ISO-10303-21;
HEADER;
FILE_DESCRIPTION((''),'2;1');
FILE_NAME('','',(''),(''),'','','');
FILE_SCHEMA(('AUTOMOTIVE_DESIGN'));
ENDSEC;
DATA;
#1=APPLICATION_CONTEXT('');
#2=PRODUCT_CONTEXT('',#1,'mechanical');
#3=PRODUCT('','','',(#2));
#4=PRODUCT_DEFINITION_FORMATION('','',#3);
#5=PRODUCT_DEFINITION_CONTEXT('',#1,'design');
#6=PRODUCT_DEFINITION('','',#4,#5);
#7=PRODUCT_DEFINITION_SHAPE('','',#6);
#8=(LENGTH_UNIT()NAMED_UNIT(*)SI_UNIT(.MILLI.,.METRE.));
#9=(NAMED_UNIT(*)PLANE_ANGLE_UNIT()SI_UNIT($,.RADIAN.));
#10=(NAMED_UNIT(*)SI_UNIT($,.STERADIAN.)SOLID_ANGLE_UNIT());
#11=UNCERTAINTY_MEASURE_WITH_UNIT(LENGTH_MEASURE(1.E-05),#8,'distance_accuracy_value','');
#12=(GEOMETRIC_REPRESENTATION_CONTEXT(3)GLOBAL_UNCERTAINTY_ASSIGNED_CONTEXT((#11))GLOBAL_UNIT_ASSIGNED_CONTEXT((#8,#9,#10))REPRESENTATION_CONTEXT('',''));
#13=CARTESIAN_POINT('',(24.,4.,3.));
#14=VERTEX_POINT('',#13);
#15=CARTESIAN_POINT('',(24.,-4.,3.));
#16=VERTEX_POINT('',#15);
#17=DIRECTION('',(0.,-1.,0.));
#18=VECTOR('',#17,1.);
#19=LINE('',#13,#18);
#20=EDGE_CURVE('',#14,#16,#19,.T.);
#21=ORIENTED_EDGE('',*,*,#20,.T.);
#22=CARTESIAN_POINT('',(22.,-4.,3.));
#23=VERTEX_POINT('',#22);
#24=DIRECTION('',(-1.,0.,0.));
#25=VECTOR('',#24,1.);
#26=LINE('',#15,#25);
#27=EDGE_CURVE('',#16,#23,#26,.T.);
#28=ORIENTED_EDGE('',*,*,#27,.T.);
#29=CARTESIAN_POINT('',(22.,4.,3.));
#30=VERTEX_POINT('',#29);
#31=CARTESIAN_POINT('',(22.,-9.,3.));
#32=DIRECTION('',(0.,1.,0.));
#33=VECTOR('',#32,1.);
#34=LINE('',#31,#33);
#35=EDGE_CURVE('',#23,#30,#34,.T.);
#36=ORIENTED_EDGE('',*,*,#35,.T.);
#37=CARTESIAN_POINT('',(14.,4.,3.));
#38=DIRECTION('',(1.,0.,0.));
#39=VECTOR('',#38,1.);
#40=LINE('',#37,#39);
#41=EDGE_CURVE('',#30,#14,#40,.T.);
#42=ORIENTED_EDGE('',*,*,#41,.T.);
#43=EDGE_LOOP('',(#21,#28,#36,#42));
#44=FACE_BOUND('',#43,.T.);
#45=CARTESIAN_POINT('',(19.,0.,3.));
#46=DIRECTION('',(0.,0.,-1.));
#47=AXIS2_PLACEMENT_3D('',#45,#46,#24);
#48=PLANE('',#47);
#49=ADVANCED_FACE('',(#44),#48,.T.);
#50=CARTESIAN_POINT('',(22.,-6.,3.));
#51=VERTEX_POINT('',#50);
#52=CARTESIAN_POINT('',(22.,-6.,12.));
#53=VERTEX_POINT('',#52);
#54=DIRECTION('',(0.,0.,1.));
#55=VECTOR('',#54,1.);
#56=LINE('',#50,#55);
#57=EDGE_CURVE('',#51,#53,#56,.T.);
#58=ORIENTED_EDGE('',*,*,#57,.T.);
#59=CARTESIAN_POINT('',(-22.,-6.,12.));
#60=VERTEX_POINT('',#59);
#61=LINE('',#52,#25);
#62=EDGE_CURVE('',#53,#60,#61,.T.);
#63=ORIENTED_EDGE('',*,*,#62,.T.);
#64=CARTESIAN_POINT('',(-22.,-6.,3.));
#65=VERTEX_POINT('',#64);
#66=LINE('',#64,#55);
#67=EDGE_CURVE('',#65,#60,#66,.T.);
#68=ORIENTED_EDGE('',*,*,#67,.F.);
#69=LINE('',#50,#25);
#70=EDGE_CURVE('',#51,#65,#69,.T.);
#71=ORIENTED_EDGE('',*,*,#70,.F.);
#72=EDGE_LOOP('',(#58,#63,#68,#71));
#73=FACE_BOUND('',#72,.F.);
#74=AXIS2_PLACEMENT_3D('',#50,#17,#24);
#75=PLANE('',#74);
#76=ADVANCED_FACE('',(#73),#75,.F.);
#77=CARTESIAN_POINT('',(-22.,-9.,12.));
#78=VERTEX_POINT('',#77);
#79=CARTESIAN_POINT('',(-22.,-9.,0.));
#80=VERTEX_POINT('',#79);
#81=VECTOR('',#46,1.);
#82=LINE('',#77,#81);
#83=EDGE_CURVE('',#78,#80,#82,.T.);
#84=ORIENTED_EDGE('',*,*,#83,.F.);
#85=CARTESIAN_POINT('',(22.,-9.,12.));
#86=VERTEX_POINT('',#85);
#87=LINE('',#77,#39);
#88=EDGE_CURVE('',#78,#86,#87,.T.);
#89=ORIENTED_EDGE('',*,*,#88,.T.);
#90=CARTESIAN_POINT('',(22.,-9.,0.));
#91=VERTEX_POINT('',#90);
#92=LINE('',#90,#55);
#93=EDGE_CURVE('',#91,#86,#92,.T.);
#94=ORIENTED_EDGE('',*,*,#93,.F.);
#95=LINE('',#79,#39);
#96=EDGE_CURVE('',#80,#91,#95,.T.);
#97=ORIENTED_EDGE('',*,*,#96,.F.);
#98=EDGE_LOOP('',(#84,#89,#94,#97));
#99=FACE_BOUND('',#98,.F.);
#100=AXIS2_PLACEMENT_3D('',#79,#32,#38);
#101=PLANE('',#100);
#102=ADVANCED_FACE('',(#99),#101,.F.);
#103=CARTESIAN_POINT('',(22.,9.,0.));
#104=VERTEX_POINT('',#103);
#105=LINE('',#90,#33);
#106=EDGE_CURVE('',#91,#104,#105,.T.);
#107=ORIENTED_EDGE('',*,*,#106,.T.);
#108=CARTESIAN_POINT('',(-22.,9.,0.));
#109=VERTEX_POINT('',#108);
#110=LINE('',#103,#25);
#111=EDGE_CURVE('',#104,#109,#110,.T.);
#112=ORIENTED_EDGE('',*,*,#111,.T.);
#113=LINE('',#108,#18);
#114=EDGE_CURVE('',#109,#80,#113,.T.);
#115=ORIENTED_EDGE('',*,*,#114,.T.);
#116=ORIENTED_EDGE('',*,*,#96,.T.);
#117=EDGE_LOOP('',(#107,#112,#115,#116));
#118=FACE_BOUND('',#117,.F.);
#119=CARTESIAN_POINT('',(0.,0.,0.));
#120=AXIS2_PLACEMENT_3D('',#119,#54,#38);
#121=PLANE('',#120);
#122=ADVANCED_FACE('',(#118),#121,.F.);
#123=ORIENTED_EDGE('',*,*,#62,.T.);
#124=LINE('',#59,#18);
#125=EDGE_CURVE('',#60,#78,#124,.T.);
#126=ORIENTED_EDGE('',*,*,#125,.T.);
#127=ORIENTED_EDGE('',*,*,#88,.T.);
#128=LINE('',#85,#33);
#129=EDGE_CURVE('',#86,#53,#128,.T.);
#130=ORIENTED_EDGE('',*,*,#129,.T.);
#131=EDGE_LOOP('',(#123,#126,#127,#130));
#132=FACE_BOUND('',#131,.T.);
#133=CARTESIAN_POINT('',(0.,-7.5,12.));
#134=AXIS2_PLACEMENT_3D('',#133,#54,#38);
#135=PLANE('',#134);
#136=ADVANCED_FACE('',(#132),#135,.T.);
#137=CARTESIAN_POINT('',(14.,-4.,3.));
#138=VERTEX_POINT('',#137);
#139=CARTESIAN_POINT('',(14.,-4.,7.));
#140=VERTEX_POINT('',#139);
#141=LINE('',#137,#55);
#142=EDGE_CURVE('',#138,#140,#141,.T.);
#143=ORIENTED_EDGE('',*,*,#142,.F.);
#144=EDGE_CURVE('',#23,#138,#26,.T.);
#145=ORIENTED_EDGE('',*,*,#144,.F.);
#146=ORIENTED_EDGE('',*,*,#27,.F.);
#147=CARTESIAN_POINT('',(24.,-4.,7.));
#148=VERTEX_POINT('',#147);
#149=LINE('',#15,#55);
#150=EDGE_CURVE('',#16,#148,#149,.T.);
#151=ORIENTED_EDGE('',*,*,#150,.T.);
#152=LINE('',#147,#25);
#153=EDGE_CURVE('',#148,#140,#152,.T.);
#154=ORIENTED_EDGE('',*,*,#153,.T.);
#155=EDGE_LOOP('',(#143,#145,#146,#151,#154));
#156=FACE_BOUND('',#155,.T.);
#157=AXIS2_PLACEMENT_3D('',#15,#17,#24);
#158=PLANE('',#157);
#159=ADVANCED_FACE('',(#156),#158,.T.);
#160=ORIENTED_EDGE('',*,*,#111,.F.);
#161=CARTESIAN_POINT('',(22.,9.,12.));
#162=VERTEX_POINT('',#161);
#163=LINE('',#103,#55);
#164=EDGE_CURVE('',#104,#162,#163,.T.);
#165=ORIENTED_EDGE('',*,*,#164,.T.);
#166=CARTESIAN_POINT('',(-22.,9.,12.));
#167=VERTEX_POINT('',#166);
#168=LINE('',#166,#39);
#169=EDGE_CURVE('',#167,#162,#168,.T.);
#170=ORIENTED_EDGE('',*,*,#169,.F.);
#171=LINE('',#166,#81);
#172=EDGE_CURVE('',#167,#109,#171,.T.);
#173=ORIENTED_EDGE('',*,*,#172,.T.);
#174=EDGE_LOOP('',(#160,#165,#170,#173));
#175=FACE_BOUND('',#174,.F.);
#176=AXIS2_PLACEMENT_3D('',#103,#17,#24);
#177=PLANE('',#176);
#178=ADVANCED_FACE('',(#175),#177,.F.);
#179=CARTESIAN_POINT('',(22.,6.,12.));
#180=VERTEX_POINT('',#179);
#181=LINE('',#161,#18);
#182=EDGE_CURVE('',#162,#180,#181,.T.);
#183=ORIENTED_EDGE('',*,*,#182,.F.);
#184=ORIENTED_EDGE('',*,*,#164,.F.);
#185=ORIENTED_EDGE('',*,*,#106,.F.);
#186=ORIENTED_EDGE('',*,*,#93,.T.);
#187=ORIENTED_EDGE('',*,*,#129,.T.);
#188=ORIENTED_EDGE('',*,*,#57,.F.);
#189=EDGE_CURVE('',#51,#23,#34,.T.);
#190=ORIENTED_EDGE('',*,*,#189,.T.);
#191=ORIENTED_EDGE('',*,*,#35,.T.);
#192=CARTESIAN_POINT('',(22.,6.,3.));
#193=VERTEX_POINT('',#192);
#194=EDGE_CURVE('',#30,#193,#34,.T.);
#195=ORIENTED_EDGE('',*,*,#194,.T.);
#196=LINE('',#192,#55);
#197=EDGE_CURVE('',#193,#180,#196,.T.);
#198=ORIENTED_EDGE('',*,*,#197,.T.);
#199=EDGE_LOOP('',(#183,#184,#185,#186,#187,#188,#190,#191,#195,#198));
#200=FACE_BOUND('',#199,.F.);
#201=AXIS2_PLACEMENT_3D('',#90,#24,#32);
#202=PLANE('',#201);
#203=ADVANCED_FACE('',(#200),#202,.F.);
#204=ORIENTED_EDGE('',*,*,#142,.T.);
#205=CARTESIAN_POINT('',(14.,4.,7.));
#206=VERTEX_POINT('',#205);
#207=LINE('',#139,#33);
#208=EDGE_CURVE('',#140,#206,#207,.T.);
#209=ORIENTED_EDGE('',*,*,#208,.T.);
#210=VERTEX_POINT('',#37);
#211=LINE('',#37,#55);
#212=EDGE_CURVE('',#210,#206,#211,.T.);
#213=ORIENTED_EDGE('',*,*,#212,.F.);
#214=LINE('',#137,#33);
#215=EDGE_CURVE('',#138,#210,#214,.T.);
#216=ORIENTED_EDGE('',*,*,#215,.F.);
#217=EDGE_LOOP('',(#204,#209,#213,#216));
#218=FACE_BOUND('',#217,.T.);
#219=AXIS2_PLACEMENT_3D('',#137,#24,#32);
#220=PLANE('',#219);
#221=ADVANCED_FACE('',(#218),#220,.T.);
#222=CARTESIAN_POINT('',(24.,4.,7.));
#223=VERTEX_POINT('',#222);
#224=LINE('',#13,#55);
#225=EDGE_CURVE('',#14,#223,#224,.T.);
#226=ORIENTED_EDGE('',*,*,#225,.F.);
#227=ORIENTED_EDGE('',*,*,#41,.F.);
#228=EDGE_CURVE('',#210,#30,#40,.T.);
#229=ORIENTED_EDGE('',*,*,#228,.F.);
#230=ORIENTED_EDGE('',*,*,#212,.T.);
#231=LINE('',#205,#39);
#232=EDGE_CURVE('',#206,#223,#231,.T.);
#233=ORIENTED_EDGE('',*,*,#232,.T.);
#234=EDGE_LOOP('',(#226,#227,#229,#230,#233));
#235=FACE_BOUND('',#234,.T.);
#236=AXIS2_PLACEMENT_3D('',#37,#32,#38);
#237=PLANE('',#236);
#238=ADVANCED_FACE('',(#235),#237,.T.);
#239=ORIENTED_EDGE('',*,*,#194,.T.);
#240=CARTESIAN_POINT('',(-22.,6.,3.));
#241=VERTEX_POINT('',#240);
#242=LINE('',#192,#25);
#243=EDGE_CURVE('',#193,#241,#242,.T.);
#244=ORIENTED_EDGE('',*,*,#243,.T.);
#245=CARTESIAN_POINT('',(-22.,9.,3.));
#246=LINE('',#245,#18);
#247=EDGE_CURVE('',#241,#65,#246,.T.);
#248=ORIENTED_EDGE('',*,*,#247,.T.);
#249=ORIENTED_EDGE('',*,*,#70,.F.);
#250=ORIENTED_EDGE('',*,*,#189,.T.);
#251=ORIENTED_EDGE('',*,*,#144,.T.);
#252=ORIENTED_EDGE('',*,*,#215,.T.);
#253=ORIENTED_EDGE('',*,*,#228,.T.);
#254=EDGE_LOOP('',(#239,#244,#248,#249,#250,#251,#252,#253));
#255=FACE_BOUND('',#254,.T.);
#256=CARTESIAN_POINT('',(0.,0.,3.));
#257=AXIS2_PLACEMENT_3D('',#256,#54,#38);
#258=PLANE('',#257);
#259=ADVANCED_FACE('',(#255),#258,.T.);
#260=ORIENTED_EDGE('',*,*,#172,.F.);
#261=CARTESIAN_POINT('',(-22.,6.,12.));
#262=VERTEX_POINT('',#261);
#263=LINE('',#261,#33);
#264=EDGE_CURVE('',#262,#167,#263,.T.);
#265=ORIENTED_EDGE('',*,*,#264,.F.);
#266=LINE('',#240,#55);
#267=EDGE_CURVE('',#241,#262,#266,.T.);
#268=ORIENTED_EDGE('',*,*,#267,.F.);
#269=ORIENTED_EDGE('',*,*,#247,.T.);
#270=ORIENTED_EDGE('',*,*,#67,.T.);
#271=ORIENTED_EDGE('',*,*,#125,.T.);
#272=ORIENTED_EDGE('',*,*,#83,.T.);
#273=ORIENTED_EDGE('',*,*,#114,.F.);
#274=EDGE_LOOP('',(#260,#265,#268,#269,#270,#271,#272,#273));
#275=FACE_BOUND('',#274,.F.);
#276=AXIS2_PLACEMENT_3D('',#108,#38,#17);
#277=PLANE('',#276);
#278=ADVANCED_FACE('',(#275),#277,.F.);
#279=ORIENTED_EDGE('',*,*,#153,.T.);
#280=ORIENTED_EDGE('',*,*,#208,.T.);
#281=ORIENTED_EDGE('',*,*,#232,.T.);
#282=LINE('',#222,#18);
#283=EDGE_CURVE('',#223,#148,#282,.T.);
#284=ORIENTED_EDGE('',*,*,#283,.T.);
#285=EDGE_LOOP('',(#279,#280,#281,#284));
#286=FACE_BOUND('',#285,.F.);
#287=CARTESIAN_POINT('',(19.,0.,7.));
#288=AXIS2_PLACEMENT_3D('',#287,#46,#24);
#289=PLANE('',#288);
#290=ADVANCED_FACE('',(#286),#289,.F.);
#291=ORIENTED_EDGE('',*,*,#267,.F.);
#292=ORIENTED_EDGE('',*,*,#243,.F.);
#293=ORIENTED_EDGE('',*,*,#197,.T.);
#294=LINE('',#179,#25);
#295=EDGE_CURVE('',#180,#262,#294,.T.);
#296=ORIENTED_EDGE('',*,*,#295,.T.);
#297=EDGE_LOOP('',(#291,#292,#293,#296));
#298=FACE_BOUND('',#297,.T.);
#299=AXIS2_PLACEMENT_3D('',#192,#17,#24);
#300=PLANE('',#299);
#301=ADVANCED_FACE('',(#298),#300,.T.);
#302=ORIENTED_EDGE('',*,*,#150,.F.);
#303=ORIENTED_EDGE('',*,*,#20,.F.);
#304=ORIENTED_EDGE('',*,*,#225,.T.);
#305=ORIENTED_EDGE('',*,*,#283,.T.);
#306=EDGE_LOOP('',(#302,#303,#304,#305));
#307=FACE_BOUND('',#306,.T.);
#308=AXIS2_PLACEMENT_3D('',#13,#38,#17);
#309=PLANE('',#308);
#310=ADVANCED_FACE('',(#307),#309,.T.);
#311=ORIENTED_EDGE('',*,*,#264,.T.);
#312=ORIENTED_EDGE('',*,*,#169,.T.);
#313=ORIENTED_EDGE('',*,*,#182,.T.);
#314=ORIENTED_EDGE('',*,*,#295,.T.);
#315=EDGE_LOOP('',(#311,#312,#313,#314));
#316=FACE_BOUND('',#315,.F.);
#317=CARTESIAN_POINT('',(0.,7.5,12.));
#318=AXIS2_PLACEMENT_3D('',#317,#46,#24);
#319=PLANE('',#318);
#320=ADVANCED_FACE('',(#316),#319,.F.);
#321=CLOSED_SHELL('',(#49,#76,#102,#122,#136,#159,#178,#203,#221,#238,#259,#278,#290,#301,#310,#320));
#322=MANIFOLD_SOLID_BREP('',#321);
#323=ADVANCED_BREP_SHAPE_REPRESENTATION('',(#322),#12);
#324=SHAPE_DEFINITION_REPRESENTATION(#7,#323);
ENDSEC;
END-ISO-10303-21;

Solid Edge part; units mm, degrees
sketch "Sketch1" plane through (0, 0, 0) normal (0, 0, 1) x (1, 0, 0)
  line L0 (-22, -9) -> (22, -9)
  line L1 (22, -9) -> (22, 9)
  line L2 (22, 9) -> (-22, 9)
  line L3 (-22, 9) -> (-22, -9)
extrude "Protrusion1" add sketch "Sketch1" along normal blind 3
sketch "Sketch2" plane through (0, 0, 3) normal (0, 0, 1) x (1, 0, 0)
  line L0 (24, -4) -> (14, -4)
  line L1 (14, -4) -> (14, 4)
  line L2 (14, 4) -> (24, 4)
  line L3 (24, 4) -> (24, -4)
extrude "ExtrudedProtrusion_2" add sketch "Sketch2" along normal blind 4
sketch "Sketch3" plane through (0, 0, 3) normal (0, 0, 1) x (1, 0, 0)
  line L0 (-22, -9) -> (22, -9)
  line L1 (22, -9) -> (22, -6)
  line L2 (22, -6) -> (-22, -6)
  line L3 (-22, -6) -> (-22, -9)
  line L4 (22, 6) -> (-22, 6)
  line L5 (-22, 6) -> (-22, 9)
  line L6 (-22, 9) -> (22, 9)
  line L7 (22, 9) -> (22, 6)
  dimension "D1" = 3
extrude "ExtrudedProtrusion_4" add sketch "Sketch3" along normal blind 9
